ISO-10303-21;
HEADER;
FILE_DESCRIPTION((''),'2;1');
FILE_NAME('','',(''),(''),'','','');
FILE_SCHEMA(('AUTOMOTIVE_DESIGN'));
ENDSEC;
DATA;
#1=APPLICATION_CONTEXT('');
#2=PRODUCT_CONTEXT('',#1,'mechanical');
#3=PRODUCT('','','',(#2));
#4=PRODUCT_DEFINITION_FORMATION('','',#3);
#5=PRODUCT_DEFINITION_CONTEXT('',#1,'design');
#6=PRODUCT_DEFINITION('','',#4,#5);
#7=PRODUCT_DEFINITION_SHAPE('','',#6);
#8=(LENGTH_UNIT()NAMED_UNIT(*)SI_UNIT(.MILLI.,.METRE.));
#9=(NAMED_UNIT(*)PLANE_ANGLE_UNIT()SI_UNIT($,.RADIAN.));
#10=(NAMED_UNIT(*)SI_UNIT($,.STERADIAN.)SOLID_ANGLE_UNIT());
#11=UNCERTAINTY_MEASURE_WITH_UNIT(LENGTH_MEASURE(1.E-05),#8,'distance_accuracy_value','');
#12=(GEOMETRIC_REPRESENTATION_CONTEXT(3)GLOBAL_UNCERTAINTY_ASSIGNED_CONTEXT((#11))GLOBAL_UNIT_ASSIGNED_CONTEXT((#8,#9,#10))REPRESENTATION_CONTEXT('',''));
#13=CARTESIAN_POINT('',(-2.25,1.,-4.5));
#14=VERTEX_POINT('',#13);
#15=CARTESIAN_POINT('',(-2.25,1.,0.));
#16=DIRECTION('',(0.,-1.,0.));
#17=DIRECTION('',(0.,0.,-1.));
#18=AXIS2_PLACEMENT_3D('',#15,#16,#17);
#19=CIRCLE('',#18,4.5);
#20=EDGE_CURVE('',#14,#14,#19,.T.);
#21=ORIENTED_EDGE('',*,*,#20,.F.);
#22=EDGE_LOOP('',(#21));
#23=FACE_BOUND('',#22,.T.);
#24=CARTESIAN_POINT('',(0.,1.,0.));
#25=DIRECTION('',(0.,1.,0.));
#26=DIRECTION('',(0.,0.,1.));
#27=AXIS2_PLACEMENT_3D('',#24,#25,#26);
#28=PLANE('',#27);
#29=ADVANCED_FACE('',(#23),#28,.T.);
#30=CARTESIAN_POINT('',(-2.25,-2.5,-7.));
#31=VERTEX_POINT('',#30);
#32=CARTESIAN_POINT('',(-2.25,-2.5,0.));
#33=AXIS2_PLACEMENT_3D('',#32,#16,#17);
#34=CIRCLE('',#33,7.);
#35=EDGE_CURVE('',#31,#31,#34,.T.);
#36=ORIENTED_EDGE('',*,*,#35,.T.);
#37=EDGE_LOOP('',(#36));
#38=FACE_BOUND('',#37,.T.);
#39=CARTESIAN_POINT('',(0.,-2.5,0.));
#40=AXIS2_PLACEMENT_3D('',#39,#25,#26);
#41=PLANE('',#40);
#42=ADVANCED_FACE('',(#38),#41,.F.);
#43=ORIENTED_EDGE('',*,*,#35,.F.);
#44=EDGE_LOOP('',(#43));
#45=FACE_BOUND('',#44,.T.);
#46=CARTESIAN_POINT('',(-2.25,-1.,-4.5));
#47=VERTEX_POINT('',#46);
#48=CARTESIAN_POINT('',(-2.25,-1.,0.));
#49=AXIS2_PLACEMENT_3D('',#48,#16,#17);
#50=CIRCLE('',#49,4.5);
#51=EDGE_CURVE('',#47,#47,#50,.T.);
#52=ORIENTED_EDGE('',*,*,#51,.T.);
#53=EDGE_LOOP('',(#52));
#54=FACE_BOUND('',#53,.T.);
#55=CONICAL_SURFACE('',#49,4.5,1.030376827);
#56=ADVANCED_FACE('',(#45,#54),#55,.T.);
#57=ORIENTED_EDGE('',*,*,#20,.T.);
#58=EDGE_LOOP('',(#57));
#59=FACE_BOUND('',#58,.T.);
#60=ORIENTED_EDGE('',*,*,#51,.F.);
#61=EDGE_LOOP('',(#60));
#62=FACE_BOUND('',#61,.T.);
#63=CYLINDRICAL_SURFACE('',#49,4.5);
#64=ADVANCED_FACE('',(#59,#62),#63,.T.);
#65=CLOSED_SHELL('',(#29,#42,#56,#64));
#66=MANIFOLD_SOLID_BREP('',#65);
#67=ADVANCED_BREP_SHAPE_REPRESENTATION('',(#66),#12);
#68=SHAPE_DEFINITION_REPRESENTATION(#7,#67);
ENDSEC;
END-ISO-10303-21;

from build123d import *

# Parameters (mm, degrees)
CROQUIS1_W = 4.5
CROQUIS1_H = 2


with BuildPart() as part:
    # Croquis1 → Revolución1 (revolve)
    with BuildSketch(Plane.XY, mode=Mode.PRIVATE) as revoluci_n1_sk:
        Rectangle(CROQUIS1_W, CROQUIS1_H)
        Polygon((-2.25, -2.5), (-2.25, -1), (2.25, -1), (4.75, -2.5), align=None)
    revolve(revoluci_n1_sk.sketch.rotate(Axis((-2.25, -1, 0), (0, 1, 0)), 90), axis=Axis((-2.25, -1, 0), (0, 1, 0)))


solid = part.part
